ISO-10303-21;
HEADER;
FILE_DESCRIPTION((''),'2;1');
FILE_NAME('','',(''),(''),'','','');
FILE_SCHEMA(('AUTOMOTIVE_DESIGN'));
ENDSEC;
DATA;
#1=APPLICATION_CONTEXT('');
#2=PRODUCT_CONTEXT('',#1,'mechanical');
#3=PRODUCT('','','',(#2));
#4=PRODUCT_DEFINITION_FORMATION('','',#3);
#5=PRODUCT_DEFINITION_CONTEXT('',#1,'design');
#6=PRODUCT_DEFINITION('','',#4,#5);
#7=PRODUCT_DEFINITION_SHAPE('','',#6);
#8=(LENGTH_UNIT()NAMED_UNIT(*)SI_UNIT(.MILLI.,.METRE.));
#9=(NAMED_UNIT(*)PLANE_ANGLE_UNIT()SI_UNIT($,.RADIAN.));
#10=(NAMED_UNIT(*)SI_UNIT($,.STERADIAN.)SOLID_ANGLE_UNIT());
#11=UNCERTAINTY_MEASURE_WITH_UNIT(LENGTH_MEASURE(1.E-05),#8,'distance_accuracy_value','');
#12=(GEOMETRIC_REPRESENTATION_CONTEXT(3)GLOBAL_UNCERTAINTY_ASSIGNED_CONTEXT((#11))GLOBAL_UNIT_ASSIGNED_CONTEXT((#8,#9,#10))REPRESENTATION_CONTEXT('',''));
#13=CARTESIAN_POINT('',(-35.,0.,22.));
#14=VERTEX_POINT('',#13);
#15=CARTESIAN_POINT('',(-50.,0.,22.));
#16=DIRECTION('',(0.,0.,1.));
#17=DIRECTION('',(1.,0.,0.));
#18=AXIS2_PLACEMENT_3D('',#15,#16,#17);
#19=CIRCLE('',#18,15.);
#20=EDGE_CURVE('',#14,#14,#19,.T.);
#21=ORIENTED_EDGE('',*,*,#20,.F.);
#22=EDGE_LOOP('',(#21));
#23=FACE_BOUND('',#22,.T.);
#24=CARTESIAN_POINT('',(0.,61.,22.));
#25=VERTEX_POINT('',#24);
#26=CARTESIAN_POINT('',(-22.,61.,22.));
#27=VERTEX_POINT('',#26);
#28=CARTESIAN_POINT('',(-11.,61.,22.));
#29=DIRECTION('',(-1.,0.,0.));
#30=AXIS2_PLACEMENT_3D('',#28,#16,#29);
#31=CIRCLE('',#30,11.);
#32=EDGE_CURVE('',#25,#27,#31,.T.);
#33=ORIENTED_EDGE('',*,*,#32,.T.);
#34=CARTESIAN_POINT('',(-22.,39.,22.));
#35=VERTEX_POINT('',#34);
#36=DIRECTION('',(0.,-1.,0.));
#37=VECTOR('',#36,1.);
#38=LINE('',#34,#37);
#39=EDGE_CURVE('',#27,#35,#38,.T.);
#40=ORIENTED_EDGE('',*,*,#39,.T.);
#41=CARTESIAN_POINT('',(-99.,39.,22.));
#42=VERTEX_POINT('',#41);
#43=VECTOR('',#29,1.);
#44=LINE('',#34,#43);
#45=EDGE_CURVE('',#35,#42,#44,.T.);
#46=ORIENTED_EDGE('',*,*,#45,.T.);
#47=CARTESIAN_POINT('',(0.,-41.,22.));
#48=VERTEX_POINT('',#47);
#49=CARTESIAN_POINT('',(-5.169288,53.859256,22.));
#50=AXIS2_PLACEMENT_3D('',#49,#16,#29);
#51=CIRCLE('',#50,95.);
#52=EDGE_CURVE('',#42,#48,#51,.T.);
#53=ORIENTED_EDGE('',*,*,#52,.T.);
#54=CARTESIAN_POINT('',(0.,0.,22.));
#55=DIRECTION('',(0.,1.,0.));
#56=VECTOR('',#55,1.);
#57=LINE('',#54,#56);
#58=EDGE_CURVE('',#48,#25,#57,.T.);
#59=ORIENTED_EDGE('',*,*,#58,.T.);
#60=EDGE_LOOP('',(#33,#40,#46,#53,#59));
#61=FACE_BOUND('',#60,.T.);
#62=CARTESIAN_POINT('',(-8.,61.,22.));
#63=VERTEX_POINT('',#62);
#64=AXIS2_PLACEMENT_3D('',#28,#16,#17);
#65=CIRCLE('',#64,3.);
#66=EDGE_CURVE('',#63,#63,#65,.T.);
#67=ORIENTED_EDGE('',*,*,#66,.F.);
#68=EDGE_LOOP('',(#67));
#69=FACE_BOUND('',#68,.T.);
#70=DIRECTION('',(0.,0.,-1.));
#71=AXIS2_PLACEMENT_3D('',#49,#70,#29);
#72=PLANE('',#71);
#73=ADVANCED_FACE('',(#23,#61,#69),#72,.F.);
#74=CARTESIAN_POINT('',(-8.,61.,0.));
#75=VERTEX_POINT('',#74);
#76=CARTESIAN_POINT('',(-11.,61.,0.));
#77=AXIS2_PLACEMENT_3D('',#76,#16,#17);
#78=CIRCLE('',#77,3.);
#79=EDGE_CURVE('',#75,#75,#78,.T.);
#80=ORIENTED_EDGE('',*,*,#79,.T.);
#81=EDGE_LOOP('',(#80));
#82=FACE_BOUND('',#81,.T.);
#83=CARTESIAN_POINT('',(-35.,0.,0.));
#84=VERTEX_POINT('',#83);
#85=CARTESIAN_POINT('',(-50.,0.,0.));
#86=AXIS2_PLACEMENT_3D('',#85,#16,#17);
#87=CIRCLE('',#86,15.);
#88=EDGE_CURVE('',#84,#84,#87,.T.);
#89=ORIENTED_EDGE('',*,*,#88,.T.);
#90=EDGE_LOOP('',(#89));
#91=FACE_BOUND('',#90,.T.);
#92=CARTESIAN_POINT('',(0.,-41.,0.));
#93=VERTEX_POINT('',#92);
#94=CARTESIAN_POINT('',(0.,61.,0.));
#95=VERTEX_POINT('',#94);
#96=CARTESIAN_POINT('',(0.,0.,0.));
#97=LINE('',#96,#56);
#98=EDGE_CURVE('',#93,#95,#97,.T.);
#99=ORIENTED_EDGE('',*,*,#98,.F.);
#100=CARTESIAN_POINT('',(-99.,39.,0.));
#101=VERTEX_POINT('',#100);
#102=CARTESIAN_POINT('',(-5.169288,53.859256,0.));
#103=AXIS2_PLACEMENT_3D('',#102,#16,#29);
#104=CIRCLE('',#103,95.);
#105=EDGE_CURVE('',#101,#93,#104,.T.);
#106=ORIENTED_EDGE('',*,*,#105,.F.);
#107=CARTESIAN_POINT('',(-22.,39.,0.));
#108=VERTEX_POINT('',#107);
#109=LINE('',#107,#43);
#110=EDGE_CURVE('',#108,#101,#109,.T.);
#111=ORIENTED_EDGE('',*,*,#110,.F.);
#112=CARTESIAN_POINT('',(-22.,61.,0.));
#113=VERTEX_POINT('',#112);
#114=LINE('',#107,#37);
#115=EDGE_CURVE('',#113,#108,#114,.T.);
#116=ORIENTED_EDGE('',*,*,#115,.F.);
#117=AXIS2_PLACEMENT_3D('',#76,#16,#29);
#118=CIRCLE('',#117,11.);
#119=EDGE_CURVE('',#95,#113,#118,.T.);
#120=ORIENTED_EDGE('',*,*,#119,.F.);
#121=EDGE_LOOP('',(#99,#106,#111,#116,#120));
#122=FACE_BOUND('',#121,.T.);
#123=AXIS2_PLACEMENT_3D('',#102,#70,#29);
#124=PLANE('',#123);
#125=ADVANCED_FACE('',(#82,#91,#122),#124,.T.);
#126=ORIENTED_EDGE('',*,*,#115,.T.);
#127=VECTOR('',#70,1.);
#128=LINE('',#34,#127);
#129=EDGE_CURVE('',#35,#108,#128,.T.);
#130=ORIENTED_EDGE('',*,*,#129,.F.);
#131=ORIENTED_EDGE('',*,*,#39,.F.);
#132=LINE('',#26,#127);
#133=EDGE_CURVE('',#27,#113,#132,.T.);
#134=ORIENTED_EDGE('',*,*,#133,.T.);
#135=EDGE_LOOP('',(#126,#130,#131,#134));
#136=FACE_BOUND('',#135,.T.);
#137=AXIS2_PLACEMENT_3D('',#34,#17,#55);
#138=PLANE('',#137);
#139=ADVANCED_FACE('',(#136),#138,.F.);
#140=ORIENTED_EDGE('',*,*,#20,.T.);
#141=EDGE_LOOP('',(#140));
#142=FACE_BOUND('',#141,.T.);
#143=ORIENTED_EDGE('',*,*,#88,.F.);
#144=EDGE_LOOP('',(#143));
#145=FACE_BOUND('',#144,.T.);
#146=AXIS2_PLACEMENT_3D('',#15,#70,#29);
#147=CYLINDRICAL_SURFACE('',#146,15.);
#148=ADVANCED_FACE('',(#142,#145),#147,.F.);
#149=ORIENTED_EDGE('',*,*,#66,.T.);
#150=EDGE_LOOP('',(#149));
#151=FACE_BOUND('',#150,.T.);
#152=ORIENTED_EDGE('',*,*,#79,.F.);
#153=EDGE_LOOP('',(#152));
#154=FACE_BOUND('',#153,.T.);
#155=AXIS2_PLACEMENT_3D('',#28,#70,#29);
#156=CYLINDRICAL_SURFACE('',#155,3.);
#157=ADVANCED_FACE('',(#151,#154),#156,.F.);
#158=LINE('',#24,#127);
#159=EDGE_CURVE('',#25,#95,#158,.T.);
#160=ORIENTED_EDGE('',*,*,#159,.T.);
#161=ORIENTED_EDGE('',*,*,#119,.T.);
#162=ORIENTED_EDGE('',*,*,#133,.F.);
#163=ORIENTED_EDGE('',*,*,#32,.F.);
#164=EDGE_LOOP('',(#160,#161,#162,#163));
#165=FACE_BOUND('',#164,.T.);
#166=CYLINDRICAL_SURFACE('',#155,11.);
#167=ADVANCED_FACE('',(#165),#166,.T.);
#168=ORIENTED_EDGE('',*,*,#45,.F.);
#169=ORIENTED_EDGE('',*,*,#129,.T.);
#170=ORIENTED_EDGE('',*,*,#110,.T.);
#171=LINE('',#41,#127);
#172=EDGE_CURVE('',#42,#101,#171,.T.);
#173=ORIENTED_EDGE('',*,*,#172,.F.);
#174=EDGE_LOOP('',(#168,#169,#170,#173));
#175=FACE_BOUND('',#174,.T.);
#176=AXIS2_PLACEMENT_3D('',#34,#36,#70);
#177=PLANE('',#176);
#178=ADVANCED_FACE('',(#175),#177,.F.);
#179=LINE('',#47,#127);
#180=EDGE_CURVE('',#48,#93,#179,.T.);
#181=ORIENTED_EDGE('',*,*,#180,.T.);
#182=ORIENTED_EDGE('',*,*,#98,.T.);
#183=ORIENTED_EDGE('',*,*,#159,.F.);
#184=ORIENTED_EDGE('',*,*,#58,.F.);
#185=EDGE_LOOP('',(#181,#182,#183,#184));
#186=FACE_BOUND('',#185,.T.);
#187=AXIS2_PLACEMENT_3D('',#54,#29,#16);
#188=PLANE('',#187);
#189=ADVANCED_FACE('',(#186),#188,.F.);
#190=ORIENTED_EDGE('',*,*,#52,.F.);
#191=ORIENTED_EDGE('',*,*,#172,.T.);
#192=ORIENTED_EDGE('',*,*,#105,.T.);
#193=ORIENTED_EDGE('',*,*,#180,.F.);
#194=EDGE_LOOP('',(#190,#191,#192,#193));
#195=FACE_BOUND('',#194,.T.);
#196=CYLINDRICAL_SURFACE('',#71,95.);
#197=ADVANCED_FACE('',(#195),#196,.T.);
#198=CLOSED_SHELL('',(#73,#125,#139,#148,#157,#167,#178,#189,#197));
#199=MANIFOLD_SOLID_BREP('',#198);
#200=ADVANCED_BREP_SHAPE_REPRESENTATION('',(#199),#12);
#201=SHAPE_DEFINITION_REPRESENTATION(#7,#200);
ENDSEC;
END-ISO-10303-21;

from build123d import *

# Parameters (mm, degrees)
ESQUISSE1_R        = 15
ESQUISSE1_R_2      = 3
BOSS_EXTRU_3_DEPTH = 22


with BuildPart() as part:
    # Esquisse1 → Boss.-Extru.3 (new body)
    with BuildSketch(Plane.XY):
        with BuildLine():
            Line((0, 0), (0, 61))
            ThreePointArc((0, 61), (-11, 72), (-22, 61))
            Line((-22, 61), (-22, 39))
            Line((-22, 39), (-99, 39))
            ThreePointArc((-99, 39), (-64.878684474, -20.031122037), (0, -41))
            Line((0, -41), (0, 0))
        make_face()
        with Locations((-50, 0)):
            Circle(ESQUISSE1_R, mode=Mode.SUBTRACT)
        with Locations((-11, 61)):
            Circle(ESQUISSE1_R_2, mode=Mode.SUBTRACT)
    extrude(amount=BOSS_EXTRU_3_DEPTH)


solid = part.part
